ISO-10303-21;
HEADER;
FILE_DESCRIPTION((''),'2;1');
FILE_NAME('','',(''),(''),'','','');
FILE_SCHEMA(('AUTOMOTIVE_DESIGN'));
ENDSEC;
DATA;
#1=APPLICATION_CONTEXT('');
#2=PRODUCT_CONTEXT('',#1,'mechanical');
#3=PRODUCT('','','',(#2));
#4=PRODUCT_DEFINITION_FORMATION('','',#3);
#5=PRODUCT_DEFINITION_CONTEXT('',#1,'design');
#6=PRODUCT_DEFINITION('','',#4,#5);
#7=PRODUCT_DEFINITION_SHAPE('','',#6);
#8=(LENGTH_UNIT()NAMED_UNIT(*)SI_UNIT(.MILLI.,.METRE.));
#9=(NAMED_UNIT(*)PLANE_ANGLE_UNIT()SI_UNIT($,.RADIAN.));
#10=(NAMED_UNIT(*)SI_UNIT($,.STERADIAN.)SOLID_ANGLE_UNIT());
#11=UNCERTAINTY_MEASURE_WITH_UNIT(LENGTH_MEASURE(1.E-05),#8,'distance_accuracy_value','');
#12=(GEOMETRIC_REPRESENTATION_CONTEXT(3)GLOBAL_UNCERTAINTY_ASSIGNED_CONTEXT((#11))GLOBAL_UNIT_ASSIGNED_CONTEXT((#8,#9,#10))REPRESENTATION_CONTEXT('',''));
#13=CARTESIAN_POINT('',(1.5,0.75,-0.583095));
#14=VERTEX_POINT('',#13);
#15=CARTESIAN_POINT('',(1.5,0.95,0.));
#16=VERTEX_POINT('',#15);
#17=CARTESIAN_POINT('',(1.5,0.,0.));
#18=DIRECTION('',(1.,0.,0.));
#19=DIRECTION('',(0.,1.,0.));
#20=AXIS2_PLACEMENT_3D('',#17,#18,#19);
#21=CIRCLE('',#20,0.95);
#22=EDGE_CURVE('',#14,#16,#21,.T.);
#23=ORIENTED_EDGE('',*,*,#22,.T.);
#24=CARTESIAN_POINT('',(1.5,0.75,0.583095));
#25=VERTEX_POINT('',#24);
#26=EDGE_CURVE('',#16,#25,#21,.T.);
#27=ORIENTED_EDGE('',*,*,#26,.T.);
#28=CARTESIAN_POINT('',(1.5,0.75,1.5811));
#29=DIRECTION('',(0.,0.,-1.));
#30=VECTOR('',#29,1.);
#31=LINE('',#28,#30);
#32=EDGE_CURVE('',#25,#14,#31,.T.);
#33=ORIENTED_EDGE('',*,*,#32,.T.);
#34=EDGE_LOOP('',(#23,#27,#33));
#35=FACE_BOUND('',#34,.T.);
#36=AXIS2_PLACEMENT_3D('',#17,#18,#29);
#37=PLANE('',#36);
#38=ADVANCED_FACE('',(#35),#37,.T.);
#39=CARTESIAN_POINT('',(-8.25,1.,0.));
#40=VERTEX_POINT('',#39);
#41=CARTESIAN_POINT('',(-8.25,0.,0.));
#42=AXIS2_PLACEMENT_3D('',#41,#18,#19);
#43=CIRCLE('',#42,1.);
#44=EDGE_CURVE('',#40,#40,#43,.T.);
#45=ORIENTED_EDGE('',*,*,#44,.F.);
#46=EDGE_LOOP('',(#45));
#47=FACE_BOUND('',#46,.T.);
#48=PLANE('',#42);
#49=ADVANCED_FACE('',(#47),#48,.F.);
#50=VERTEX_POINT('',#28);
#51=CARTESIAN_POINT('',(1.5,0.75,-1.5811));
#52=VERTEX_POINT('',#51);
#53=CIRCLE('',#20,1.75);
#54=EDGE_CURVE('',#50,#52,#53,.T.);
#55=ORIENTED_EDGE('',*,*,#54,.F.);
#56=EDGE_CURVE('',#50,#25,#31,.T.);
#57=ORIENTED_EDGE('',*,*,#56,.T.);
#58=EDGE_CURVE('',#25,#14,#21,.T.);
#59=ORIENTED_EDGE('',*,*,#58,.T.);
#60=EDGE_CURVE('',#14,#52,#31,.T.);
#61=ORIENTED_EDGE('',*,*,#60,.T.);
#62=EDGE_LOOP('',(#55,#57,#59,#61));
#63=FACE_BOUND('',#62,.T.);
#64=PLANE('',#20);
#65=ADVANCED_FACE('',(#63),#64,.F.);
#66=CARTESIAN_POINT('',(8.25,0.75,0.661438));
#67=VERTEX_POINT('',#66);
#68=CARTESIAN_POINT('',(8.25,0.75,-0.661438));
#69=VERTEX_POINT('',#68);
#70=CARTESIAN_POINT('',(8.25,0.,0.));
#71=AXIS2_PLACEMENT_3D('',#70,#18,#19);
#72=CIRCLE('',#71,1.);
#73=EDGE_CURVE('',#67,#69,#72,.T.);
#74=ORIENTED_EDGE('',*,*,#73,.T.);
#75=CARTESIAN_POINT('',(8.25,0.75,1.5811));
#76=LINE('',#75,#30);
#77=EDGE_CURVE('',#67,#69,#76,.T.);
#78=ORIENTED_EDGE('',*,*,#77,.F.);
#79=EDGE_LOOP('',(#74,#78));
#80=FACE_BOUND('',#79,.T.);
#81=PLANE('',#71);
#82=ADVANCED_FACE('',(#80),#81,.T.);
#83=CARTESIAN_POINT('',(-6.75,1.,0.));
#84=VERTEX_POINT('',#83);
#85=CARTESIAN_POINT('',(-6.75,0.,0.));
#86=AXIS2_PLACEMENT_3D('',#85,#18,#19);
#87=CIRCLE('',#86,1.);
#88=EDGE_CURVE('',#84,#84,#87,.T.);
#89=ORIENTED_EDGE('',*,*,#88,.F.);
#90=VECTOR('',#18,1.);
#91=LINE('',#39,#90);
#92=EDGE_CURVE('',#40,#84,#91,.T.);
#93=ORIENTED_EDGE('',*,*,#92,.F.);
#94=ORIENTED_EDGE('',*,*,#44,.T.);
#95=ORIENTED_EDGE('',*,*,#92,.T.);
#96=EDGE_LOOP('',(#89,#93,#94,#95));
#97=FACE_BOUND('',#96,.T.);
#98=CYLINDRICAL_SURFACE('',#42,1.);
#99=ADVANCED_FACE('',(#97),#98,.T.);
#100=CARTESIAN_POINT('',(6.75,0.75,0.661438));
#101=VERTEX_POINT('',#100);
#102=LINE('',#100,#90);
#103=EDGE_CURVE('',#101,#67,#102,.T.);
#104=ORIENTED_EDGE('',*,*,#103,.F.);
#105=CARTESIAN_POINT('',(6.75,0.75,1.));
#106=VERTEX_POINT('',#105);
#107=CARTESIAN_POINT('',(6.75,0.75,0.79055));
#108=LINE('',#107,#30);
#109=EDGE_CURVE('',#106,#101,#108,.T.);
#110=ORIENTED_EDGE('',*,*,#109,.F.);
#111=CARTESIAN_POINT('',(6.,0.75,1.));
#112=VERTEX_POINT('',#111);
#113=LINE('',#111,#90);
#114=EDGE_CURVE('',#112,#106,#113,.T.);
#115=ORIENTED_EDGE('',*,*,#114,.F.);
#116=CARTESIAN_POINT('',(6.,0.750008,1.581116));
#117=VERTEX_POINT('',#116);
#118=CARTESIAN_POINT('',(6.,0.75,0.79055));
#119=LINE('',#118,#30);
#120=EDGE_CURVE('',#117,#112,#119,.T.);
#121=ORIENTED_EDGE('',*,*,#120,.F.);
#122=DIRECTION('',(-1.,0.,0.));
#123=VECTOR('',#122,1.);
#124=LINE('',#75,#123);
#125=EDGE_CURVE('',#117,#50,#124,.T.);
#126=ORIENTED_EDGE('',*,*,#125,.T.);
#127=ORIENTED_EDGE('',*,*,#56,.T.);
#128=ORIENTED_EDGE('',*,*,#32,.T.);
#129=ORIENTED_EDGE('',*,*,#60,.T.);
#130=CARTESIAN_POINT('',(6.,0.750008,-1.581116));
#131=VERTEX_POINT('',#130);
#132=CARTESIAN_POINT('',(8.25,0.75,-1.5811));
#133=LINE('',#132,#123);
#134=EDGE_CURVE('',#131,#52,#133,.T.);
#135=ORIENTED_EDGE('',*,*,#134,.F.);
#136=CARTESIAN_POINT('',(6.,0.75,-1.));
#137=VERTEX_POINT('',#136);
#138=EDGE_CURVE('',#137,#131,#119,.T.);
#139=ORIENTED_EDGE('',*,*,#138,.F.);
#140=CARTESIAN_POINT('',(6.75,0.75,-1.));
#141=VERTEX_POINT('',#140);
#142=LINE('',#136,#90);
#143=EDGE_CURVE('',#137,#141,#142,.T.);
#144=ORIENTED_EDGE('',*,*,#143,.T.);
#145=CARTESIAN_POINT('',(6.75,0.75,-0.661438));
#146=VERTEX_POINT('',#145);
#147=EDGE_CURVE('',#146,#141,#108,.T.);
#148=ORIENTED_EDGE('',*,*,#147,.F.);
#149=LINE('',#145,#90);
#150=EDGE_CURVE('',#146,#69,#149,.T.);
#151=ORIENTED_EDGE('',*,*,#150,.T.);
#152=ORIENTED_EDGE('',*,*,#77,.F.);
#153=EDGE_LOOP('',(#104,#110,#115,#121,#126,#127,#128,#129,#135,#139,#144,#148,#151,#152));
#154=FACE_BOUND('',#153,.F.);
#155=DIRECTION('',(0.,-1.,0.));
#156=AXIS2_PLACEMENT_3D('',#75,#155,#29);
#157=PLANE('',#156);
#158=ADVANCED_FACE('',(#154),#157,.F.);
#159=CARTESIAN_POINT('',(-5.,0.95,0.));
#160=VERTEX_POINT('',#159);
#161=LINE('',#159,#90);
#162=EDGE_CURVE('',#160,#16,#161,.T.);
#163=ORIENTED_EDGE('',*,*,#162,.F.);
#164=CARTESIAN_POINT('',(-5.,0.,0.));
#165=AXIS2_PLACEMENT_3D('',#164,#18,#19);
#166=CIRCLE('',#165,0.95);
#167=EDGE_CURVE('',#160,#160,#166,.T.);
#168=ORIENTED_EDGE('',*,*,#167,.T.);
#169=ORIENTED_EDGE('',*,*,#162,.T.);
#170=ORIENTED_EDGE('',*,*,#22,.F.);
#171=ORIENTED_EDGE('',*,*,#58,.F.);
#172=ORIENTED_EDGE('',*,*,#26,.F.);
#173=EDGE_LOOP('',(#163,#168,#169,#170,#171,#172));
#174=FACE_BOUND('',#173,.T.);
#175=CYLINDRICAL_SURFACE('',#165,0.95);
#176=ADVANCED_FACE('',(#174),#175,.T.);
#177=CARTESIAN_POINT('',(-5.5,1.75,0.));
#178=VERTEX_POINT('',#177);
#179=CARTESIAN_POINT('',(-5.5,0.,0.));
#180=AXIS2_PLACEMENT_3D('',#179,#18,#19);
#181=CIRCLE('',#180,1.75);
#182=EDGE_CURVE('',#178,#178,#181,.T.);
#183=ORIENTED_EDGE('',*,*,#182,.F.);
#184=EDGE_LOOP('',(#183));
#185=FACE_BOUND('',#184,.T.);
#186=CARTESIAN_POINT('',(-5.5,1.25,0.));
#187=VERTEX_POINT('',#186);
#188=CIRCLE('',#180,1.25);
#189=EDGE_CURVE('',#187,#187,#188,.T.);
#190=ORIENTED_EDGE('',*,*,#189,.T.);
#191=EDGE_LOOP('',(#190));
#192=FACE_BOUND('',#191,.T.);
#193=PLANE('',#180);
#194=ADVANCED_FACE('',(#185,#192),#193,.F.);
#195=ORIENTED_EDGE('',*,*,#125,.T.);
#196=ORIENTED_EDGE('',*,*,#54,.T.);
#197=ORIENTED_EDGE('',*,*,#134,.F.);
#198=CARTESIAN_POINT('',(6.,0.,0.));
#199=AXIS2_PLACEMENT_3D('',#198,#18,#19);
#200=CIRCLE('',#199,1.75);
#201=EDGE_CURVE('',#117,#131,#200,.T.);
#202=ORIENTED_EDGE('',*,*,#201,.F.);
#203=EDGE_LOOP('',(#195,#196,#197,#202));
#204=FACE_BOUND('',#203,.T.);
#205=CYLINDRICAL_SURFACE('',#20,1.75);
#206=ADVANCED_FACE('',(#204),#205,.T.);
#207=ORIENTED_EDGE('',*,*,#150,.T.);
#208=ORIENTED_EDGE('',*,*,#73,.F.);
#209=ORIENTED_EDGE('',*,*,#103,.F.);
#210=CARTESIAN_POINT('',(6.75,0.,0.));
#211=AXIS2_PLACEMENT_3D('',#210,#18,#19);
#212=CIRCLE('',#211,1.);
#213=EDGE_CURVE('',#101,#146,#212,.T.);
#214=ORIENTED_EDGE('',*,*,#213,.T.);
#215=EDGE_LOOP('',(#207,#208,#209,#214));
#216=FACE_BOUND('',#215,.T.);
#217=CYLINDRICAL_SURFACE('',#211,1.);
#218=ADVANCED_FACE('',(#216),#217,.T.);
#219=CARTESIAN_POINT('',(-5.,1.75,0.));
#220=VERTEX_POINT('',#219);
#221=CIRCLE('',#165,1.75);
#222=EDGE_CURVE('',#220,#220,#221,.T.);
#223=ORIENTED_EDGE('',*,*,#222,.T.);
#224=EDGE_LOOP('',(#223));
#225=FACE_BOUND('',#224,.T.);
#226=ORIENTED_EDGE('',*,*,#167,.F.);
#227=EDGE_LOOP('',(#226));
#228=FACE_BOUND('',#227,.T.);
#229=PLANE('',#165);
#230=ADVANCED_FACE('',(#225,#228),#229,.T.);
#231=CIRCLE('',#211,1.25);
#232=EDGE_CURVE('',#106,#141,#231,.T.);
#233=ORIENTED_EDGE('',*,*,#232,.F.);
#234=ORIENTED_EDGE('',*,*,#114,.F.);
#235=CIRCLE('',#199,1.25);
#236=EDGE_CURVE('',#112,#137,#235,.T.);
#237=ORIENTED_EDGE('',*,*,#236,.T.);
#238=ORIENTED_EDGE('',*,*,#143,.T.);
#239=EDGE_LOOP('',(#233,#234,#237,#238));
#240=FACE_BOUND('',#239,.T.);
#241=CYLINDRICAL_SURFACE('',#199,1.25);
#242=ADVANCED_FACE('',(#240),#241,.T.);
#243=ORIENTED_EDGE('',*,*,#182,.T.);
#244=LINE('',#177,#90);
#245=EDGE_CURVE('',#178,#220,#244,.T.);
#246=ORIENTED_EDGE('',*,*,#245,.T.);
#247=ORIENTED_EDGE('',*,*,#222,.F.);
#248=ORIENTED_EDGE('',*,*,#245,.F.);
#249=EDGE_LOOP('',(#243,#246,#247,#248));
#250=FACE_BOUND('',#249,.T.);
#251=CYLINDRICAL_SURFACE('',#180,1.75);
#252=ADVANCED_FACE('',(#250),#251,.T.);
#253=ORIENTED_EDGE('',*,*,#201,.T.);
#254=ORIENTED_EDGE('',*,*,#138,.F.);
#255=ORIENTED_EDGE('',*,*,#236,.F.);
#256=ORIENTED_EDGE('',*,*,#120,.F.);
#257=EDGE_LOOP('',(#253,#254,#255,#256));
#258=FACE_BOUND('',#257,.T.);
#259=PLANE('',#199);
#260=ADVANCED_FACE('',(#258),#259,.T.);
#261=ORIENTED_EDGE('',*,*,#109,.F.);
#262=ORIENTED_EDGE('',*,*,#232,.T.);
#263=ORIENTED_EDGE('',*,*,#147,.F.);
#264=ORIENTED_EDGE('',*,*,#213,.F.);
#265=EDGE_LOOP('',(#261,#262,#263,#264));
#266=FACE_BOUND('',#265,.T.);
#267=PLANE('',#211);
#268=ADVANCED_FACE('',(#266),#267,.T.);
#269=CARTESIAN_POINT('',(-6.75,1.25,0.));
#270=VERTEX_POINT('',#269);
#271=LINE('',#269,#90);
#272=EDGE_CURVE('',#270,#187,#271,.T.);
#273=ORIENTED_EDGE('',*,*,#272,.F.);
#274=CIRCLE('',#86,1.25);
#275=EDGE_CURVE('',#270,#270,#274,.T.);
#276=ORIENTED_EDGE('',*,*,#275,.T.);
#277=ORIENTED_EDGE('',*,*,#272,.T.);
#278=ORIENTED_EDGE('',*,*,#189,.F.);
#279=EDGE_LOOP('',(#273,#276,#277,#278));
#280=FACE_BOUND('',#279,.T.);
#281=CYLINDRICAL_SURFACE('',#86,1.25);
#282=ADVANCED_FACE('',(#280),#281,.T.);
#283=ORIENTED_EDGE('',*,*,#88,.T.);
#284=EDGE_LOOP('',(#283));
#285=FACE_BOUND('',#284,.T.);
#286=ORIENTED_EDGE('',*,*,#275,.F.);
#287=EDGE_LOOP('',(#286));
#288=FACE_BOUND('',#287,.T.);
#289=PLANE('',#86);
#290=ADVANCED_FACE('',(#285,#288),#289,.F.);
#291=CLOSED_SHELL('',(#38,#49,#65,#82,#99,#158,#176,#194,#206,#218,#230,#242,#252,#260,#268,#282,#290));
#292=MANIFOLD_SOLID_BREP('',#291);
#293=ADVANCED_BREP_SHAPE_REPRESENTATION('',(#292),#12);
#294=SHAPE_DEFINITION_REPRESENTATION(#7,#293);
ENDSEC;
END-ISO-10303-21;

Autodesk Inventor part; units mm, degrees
ref_plane "YZ Plane" through (0, 0, 0) normal (1, 0, 0) x (0, 1, 0)
ref_plane "XZ Plane" through (0, 0, 0) normal (0, 1, 0) x (-1, 0, 0)
ref_plane "XY Plane" through (0, 0, 0) normal (0, 0, 1) x (1, 0, 0)
sketch "Sketch1" plane through (0, 0, 0) normal (0, 0, 1) x (1, 0, 0)
  line L0 (-8.25, 0) -> (8.25, 0)
  line L1 (-8.25, 0) -> (-8.25, 1)
  line L2 (-8.25, 1) -> (-6.75, 1)
  line L3 (-6.75, 1) -> (-6.75, 1.25)
  line L4 (-6.75, 1.25) -> (-5.5, 1.25)
  line L5 (-5.5, 1.25) -> (-5.5, 1.25)
  line L6 (-5, 0.95) -> (1.5, 0.95)
  line L7 (1.5, 0.95) -> (1.5, 1.75)
  line L8 (1.5, 1.75) -> (6, 1.75)
  line L9 (6, 1.75) -> (6, 1.25)
  line L10 (6, 1.25) -> (6.75, 1.25)
  line L11 (6.75, 1.25) -> (6.75, 1)
  line L12 (6.75, 1) -> (8.25, 1)
  line L13 (8.25, 1) -> (8.25, 0)
  line L14 (0, 0) -> (0, 3.0708) construction
  line L15 (-5.5, 1.25) -> (-5.5, 1.75)
  line L16 (-5.5, 1.75) -> (-5, 1.75)
  line L17 (-5, 1.75) -> (-5, 0.95)
  dimension "d0" = 2
  dimension "d1" = 16.5
  dimension "d2" = 1.5
  dimension "d3" = 1.5
  dimension "d4" = 2.5
  dimension "d5" = 3.5
  dimension "d6" = 1.9
  dimension "d12" = 7
  dimension "d13" = 0.75
  dimension "d14" = 0.5
  dimension "d16" = 3.5
  dimension "d17" = 1.75
revolve "Revolution1" add sketch "Sketch1" angle 360 about axis through (-8.25, 0, 0) along (1, 0, 0)
sketch "Sketch2" plane through (8.25, 0, 0) normal (1, 0, 0) x (0, 0, -1)
  circle A0 centre (0, 0) radius 1.75 projected
  line L0 (-1.5811, 0.75) -> (1.5811, 0.75)
  dimension "d9" = 0.75
extrude "Extrusion1" cut sketch "Sketch2" against normal up to surface (6.75 mm away) contours L0 A0 picked at (0, 1.0833)
properties part number "MCP axle" material "Stainless Steel"
